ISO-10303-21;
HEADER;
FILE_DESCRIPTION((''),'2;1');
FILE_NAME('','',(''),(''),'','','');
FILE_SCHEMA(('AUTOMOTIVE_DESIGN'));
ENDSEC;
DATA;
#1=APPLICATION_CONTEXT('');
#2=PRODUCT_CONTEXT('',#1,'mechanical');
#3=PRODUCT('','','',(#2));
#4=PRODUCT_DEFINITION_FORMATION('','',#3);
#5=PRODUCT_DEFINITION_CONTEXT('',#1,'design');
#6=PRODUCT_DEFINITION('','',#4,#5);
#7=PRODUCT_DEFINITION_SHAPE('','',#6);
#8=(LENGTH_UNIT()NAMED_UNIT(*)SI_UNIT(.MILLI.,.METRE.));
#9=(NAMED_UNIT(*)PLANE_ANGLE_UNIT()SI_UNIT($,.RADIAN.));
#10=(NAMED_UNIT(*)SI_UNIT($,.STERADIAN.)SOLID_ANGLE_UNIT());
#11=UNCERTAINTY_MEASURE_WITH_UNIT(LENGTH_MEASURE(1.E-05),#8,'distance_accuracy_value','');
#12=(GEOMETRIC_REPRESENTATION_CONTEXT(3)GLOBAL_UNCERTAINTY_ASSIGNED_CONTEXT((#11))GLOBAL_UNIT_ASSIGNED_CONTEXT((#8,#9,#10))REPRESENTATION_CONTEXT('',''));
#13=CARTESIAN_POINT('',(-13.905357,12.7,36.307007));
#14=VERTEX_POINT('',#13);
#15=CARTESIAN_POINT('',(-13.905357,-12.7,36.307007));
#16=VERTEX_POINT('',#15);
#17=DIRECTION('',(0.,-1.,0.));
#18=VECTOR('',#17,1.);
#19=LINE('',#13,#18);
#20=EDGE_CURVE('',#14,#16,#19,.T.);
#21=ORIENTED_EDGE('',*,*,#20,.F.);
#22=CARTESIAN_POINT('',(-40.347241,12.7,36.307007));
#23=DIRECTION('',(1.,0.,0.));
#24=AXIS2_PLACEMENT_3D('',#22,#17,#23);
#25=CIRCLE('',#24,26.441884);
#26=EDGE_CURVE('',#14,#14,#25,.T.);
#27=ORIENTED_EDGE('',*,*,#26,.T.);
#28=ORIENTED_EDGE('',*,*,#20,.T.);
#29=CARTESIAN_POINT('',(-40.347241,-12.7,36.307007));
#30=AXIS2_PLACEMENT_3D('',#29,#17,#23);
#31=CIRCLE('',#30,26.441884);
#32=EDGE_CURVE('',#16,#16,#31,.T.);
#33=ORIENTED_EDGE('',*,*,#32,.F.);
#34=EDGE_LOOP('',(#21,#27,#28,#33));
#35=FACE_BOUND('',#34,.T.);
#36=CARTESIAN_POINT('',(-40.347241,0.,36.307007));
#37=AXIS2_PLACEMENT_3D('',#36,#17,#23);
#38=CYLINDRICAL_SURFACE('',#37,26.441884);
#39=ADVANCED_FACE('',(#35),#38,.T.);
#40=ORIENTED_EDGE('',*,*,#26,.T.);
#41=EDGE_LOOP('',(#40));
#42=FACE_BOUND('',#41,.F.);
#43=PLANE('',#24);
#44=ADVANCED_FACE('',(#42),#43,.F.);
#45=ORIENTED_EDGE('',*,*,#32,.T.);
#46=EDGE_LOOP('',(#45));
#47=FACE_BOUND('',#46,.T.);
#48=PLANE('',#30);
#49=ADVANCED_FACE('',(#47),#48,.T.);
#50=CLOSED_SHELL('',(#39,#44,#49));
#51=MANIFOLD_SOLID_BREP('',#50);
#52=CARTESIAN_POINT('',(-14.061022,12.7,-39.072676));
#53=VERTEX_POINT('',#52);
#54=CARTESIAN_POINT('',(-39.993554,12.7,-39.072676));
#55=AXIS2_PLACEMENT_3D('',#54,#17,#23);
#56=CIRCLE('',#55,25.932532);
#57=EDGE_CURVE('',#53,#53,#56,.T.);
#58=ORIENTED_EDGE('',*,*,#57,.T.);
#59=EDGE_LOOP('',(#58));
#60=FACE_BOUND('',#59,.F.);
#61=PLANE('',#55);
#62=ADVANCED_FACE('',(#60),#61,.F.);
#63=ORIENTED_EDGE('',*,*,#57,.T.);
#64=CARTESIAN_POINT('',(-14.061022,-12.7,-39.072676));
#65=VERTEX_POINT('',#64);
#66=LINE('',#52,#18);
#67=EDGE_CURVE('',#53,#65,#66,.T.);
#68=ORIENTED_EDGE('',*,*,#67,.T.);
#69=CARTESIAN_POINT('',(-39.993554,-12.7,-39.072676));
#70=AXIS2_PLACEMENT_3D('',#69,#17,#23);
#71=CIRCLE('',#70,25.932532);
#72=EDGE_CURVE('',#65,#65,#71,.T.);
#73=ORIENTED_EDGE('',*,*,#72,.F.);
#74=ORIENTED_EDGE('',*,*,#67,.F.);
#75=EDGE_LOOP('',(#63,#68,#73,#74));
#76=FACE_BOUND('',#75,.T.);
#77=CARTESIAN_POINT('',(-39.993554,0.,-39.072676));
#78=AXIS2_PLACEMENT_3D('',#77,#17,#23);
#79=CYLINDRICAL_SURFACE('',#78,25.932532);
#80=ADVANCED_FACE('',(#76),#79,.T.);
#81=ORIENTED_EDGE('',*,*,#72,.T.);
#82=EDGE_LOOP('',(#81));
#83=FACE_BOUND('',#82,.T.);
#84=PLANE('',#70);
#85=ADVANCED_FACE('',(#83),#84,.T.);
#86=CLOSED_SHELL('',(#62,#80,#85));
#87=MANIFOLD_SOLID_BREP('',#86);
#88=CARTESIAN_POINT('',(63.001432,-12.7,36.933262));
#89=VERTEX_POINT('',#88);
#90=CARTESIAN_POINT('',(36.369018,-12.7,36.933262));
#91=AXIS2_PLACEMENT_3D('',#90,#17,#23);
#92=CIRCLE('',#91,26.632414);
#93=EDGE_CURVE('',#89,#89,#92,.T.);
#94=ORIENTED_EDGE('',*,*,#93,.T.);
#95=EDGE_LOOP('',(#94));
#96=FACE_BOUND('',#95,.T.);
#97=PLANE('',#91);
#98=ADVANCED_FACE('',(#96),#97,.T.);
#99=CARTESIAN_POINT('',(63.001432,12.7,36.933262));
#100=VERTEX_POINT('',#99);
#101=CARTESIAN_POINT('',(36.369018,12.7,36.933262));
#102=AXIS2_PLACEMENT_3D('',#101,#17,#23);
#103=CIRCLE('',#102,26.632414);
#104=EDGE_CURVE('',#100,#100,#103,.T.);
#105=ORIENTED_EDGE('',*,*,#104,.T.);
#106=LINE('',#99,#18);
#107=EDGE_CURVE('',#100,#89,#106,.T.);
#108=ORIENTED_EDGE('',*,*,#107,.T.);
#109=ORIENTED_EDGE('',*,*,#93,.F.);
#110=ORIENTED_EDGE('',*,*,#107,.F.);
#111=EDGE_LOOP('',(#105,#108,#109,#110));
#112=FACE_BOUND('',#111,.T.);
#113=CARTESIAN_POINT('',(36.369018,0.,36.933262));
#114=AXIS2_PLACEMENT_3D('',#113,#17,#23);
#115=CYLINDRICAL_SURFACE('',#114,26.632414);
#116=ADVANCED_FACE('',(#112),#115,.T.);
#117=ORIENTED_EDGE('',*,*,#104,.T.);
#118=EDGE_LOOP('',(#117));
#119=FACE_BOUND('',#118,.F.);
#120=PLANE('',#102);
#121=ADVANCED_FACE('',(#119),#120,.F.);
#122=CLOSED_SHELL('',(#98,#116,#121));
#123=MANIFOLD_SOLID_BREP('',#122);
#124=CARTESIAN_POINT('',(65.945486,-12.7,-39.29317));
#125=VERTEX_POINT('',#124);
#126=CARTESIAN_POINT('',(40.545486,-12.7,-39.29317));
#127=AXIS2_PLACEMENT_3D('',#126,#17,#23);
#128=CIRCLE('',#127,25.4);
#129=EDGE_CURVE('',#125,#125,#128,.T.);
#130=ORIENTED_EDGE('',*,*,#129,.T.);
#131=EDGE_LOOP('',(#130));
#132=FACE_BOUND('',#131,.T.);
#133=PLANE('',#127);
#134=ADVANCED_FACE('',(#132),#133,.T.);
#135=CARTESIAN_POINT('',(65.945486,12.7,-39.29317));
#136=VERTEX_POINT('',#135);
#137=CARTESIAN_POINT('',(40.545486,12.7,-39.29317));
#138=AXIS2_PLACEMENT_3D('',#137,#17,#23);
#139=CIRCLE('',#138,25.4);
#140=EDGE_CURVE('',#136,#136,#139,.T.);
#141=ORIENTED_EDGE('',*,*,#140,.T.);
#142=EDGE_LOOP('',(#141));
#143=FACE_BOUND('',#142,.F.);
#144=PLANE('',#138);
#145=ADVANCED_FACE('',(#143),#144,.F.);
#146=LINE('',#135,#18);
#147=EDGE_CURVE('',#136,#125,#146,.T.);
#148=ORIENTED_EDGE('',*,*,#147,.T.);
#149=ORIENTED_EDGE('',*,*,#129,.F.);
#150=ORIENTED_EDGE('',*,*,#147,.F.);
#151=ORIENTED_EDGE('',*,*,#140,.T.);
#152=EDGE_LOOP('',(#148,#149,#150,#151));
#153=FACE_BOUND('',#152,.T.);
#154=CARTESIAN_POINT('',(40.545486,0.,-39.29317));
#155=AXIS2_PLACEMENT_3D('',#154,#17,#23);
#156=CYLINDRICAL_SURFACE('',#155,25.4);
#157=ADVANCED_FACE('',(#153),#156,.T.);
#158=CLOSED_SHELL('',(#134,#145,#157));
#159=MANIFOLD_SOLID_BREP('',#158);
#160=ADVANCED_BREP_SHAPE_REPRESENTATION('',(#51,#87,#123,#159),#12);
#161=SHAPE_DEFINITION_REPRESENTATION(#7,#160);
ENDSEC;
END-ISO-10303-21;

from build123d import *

# Parameters (mm, degrees)
F0_R          = 26.441884
F0_R_2        = 26.632414
F0_R_3        = 25.932532
F0_R_4        = 25.4
F1_DEPTH      = 12.7
F1_DEPTH_BACK = 12.7


with BuildPart() as f1:
    # F0 (on Front) → F1 (new body, two sides)
    with BuildSketch(Plane.XZ) as f1_sk:
        with Locations((-40.347241, 36.307007)):
            Circle(F0_R)
        with Locations((36.369018, 36.933262)):
            Circle(F0_R_2)
        with Locations((-39.993554, -39.072676)):
            Circle(F0_R_3)
        with Locations((40.545486, -39.29317)):
            Circle(F0_R_4)
    extrude(amount=F1_DEPTH)
    extrude(f1_sk.sketch, amount=-F1_DEPTH_BACK)


solid = f1.part
